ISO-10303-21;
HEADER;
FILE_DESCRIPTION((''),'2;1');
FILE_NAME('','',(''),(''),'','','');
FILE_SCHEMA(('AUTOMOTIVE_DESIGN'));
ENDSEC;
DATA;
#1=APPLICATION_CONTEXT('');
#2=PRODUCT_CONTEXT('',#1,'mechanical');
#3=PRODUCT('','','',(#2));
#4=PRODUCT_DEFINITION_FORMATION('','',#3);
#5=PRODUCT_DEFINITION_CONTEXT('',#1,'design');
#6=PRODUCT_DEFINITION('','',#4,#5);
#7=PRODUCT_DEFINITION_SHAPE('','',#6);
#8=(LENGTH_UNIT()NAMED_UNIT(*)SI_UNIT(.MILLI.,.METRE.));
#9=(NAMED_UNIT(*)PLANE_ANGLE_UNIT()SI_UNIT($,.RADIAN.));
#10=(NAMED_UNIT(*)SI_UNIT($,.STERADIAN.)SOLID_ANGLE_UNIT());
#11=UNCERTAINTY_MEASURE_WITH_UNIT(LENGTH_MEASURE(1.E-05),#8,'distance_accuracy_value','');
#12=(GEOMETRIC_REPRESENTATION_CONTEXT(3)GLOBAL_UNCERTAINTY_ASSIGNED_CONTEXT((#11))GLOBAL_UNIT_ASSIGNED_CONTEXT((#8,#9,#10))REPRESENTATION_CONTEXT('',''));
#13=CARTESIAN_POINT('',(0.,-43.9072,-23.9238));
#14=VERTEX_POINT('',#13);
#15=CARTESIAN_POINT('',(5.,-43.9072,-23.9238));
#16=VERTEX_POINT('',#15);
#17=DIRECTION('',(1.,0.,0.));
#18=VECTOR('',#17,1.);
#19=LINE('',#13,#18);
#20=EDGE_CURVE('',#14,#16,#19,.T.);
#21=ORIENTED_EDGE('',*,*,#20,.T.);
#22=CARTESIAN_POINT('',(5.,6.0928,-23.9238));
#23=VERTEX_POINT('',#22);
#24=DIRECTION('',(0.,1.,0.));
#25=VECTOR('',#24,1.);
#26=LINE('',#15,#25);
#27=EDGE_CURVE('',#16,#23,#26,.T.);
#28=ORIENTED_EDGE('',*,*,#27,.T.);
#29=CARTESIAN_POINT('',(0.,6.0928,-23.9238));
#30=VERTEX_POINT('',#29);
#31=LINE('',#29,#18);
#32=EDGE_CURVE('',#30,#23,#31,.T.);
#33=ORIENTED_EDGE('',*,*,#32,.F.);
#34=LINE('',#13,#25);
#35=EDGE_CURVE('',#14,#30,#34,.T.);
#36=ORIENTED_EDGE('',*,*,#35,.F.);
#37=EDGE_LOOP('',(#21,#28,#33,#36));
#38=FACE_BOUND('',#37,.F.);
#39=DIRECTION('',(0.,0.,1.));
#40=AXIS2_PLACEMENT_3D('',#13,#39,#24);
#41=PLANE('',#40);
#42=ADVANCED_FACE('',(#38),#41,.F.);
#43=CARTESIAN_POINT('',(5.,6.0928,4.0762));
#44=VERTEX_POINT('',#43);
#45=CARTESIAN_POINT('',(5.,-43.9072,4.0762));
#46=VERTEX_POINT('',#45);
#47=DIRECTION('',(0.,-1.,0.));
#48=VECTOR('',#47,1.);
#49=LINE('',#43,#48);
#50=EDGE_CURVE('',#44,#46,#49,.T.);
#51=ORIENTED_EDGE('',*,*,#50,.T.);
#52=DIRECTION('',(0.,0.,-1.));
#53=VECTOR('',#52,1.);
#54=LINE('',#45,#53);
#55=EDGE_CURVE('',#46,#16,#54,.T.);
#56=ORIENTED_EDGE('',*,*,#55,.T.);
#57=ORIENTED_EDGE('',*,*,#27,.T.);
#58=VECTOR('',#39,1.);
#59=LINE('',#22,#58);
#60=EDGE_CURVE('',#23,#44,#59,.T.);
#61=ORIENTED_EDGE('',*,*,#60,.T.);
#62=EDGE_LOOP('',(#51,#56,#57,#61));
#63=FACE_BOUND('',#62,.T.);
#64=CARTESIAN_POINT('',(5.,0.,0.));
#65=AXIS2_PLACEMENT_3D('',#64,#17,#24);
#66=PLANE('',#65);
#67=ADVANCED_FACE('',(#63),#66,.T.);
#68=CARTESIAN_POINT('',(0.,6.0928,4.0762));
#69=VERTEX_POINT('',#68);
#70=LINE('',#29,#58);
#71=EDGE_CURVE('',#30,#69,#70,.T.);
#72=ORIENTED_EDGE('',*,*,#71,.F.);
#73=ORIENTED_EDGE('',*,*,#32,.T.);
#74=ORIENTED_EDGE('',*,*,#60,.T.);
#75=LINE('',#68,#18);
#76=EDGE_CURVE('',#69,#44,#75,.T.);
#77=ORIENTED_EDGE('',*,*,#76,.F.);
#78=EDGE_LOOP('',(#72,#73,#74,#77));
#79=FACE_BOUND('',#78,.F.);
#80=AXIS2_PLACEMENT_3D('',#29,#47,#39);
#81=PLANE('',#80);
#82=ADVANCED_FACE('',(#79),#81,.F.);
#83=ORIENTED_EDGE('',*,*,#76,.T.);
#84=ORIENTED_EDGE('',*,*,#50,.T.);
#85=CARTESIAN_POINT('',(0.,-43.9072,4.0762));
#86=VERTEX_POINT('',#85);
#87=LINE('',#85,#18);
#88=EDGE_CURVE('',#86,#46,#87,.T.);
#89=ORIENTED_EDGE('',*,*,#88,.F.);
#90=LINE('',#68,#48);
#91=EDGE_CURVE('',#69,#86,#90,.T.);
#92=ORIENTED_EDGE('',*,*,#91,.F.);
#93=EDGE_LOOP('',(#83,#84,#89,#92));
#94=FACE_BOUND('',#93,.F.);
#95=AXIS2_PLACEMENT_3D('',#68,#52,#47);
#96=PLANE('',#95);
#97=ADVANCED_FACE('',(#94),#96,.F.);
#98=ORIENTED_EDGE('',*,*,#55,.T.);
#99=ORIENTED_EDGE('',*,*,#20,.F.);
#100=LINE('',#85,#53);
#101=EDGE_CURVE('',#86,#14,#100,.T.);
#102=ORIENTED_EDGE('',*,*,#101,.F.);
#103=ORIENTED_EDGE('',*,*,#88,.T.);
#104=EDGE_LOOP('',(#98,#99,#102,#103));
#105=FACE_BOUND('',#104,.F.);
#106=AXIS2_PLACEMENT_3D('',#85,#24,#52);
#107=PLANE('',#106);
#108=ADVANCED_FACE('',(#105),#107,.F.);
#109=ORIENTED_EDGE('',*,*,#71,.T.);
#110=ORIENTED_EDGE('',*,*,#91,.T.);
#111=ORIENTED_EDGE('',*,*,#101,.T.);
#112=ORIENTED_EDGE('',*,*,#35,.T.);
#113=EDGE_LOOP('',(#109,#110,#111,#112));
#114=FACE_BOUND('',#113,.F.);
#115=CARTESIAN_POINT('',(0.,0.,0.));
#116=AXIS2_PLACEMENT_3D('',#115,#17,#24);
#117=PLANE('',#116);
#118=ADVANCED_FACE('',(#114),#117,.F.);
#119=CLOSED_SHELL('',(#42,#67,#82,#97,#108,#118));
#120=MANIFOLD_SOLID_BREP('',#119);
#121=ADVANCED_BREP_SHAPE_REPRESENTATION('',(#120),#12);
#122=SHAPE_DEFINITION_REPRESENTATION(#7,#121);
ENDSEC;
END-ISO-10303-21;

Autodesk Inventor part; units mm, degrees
ref_plane "YZ Plane" through (0, 0, 0) normal (1, 0, 0) x (0, 1, 0)
ref_plane "XZ Plane" through (0, 0, 0) normal (0, 1, 0) x (-1, 0, 0)
ref_plane "XY Plane" through (0, 0, 0) normal (0, 0, 1) x (1, 0, 0)
sketch "Sketch1" plane through (0, 0, 0) normal (1, 0, 0) x (0, 1, 0)
  line L0 (6.0928, 4.0762) -> (-43.9072, 4.0762)
  line L1 (-43.9072, 4.0762) -> (-43.9072, -23.9238)
  line L2 (-43.9072, -23.9238) -> (6.0928, -23.9238)
  line L3 (6.0928, -23.9238) -> (6.0928, 4.0762)
  point P0 (0, 0)
  dimension "d0" = 28
  dimension "d1" = 50
extrude "Extrusion1" add sketch "Sketch1" along normal blind 5
properties part number "esp32"
